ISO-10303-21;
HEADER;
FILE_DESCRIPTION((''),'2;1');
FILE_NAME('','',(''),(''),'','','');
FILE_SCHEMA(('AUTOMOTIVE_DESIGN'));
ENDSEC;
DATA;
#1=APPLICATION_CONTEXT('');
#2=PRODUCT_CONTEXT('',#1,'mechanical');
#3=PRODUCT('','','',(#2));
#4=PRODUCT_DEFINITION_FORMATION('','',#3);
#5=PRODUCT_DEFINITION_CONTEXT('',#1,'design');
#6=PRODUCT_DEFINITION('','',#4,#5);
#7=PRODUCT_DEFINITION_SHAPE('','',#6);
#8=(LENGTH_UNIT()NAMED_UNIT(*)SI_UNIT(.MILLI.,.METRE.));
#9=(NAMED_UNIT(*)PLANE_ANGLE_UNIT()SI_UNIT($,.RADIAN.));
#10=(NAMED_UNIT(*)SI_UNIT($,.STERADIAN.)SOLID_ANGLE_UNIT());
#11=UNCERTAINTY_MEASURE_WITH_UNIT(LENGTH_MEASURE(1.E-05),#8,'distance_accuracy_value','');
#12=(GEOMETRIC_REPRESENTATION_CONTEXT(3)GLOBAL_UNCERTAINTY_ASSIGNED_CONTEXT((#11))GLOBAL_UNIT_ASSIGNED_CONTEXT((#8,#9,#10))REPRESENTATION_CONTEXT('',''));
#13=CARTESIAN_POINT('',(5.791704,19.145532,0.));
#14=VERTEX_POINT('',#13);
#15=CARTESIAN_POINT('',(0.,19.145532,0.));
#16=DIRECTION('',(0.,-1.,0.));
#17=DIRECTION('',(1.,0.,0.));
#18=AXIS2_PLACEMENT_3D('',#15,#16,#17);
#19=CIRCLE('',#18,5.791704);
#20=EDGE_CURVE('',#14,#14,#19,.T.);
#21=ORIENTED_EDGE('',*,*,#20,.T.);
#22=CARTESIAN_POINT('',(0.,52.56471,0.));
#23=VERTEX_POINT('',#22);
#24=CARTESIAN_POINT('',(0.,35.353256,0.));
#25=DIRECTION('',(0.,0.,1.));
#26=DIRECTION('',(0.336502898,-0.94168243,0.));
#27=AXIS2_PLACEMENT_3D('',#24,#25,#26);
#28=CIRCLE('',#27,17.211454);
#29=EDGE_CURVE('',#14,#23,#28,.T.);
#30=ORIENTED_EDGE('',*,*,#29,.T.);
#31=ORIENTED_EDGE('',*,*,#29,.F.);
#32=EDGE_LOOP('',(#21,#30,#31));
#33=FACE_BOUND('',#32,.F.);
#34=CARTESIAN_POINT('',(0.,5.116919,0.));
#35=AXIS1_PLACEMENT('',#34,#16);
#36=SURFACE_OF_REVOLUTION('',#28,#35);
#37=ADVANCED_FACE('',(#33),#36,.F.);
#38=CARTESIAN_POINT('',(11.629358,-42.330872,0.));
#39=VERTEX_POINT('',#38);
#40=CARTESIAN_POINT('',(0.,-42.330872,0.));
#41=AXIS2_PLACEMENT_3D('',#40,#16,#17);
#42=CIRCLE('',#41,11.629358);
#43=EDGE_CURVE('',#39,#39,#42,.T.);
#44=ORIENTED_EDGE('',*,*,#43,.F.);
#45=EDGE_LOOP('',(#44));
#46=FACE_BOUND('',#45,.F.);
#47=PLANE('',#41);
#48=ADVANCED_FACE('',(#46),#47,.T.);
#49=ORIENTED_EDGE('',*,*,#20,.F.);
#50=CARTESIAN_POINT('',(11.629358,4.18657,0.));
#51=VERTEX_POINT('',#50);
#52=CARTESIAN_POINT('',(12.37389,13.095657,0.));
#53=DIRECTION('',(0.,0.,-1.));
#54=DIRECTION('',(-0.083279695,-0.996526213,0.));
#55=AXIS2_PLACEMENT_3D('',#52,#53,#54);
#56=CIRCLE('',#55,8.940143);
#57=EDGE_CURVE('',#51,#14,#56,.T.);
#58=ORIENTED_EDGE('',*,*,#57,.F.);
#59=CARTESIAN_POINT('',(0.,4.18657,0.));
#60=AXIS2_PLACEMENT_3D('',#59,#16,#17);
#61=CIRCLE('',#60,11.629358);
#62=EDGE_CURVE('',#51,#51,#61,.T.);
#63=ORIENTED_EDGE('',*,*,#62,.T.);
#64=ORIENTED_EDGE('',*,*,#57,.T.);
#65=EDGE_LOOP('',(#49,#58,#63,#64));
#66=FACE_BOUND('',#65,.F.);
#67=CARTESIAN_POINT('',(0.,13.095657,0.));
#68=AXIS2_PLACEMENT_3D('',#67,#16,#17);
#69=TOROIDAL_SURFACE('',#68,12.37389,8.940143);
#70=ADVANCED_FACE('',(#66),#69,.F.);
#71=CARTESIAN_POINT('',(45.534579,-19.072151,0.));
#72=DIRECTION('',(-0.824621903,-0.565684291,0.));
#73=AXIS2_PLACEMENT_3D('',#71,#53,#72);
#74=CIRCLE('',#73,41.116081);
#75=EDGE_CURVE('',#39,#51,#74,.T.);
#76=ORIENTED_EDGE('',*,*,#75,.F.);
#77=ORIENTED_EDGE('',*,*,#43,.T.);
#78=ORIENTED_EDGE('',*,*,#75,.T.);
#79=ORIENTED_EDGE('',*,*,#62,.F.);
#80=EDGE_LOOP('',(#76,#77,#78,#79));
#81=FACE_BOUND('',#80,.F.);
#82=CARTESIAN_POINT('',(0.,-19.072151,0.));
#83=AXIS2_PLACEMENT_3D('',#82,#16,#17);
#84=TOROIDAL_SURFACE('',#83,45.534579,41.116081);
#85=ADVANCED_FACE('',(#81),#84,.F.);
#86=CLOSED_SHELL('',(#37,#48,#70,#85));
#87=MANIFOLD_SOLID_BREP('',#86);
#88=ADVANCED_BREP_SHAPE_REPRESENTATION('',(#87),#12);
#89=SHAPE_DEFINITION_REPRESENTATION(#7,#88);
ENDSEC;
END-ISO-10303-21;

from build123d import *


with BuildPart() as f1:
    # F0 (on Top) → F1 (revolve)
    with BuildSketch(Plane.XY):
        with BuildLine():
            ThreePointArc((5.791704, 19.145532), (16.958665, 38.292274), (0, 52.56471))
            Line((0, 52.56471), (0, 18.141802))
            ThreePointArc((0, 18.141802), (2.939018, 18.394591), (5.791704, 19.145532))
        make_face()
        with BuildLine():
            ThreePointArc((5.791704, 19.145532), (2.939018, 18.394591), (0, 18.141802))
            Line((0, 18.141802), (0, 0))
            Line((0, 0), (0, -42.330872))
            Line((0, -42.330872), (11.629358, -42.330872))
            ThreePointArc((11.629358, -42.330872), (4.418498, -19.072151), (11.629358, 4.18657))
            ThreePointArc((11.629358, 4.18657), (4.045455, 9.84553), (5.791704, 19.145532))
        make_face()
    revolve(axis=Axis((0, 5.116919, 0), (0, -1, 0)))


solid = f1.part
